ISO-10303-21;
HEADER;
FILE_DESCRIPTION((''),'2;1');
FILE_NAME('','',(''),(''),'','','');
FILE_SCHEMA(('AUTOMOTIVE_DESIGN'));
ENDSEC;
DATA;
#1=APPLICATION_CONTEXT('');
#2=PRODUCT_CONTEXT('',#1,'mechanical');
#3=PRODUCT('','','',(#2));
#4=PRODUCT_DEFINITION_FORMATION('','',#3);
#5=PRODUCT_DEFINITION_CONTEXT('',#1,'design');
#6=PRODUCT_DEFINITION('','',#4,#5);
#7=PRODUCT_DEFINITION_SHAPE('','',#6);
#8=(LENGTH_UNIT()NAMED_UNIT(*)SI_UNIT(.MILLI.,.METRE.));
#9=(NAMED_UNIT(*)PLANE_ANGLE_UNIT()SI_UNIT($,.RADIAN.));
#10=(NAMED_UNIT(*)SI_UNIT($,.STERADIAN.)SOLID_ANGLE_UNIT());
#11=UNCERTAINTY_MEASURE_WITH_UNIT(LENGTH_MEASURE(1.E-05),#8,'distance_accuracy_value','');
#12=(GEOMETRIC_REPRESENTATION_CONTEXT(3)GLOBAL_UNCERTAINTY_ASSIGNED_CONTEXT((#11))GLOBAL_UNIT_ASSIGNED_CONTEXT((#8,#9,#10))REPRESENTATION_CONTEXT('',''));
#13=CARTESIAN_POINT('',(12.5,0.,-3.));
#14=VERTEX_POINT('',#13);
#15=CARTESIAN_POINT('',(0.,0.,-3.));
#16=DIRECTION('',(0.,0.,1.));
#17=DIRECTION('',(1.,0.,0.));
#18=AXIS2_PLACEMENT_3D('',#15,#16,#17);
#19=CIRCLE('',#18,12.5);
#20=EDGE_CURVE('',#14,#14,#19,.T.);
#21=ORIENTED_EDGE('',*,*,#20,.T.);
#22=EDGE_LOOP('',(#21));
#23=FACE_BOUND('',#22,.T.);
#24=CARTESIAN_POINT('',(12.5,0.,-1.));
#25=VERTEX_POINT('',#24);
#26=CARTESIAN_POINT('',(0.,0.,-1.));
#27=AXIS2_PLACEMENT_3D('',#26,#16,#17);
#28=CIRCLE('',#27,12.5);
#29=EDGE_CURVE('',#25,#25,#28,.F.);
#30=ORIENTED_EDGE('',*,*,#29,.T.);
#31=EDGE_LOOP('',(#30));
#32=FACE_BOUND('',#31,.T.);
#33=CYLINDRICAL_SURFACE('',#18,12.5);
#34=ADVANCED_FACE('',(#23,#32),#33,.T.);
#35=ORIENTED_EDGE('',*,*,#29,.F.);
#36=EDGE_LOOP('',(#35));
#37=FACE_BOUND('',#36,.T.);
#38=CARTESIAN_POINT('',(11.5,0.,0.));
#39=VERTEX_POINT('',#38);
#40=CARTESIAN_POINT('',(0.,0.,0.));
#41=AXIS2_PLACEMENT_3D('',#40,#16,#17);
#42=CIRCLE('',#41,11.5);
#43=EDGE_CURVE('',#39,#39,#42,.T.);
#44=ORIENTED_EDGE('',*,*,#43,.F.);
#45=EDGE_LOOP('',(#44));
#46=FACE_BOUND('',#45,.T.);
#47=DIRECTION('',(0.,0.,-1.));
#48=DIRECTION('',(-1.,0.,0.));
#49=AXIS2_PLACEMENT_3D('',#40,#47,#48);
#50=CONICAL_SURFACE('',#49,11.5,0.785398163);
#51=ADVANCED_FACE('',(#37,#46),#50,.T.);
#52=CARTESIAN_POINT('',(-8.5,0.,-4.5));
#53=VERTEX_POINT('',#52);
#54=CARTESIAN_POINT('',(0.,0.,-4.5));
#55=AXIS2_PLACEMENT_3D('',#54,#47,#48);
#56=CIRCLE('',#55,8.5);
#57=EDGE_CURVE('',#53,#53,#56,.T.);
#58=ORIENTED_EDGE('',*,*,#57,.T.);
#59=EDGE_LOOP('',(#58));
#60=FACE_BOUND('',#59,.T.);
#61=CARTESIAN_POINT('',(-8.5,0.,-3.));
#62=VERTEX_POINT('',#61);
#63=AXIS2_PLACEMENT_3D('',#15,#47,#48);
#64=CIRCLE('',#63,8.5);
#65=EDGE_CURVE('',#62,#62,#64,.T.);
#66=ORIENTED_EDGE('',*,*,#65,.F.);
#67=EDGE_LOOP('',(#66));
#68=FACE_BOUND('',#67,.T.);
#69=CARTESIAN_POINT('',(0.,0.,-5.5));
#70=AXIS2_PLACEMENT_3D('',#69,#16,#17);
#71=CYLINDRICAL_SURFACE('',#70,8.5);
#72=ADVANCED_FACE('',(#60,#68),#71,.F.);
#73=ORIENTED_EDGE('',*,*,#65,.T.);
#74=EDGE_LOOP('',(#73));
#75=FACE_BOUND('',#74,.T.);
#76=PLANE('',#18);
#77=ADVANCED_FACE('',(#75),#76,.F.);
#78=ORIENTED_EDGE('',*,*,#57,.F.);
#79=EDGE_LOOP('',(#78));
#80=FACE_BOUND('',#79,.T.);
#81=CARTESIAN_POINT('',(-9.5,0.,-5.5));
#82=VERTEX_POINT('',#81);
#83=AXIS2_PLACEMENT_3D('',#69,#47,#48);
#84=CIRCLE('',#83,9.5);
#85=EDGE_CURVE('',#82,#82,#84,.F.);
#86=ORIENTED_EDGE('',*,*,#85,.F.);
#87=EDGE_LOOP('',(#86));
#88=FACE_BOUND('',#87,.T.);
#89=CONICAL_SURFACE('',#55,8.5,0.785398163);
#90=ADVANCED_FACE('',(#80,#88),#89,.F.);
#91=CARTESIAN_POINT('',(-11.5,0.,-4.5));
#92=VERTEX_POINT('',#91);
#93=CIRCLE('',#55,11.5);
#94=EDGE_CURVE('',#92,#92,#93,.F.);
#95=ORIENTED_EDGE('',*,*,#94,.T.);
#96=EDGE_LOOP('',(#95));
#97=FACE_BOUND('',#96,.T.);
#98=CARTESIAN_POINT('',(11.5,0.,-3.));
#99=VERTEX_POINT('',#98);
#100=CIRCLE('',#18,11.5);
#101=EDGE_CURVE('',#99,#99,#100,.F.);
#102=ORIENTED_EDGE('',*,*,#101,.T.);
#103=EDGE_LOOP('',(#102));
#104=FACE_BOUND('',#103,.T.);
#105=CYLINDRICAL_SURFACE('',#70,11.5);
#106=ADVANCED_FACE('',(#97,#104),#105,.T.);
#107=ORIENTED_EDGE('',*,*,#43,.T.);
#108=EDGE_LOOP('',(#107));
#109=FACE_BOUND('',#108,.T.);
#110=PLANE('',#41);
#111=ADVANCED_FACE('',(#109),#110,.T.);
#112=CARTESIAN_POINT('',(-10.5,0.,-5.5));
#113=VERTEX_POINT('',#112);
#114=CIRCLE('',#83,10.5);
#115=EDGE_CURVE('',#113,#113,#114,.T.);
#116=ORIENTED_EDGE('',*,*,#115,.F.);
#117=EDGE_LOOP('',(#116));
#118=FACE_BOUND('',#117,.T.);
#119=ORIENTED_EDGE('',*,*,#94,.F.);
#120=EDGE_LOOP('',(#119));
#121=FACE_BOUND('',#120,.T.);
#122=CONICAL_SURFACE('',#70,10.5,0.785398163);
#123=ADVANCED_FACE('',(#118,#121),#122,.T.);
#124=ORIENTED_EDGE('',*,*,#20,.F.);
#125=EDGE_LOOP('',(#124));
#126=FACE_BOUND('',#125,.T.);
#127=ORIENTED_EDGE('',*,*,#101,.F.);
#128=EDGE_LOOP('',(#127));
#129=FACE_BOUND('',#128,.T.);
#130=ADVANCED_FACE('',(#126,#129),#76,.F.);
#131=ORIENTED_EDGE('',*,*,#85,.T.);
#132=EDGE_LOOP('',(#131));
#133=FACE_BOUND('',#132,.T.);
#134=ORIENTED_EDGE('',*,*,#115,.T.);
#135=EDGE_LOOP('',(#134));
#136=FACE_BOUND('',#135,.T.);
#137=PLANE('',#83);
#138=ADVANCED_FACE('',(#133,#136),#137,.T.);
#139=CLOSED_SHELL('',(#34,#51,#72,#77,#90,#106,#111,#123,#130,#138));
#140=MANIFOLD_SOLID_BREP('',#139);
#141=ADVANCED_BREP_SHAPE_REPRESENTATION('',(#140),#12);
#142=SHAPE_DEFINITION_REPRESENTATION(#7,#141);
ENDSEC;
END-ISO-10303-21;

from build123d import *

# Parameters (mm, degrees)
SKETCH1_R                = 12.5
CORPO_DEPTH              = 3
SKETCH2_R                = 11.5
SKETCH2_R_2              = 8.5
EIXO_DE_ENCAIXE_20_DEPTH = 2.5
CHANFRO_1X45_SIZE        = 1


with BuildPart() as part:
    # Sketch1 → Corpo (new body)
    with BuildSketch(Plane.XY):
        Circle(SKETCH1_R)
    extrude(amount=-CORPO_DEPTH)

    # Sketch2 → Eixo de Encaixe - Ø20 (add)
    with BuildSketch(Plane(origin=(0, 0, -3), x_dir=(-1, 0, 0), z_dir=(0, 0, -1))):
        with Locations(Location((0, 0, 0), (0, 0, 180))):
            Circle(SKETCH2_R)
        Circle(SKETCH2_R_2, mode=Mode.SUBTRACT)
    extrude(amount=EIXO_DE_ENCAIXE_20_DEPTH)

    # Chanfro 1x45°
    chanfro_1x45_edges = [part.edges().sort_by_distance(p)[0] for p in [
        (-12.5, 0, 0),
        (-11.5, 0, -5.5),
        (8.5, 0, -5.5),
    ]]
    chamfer(chanfro_1x45_edges, length=CHANFRO_1X45_SIZE)


solid = part.part
